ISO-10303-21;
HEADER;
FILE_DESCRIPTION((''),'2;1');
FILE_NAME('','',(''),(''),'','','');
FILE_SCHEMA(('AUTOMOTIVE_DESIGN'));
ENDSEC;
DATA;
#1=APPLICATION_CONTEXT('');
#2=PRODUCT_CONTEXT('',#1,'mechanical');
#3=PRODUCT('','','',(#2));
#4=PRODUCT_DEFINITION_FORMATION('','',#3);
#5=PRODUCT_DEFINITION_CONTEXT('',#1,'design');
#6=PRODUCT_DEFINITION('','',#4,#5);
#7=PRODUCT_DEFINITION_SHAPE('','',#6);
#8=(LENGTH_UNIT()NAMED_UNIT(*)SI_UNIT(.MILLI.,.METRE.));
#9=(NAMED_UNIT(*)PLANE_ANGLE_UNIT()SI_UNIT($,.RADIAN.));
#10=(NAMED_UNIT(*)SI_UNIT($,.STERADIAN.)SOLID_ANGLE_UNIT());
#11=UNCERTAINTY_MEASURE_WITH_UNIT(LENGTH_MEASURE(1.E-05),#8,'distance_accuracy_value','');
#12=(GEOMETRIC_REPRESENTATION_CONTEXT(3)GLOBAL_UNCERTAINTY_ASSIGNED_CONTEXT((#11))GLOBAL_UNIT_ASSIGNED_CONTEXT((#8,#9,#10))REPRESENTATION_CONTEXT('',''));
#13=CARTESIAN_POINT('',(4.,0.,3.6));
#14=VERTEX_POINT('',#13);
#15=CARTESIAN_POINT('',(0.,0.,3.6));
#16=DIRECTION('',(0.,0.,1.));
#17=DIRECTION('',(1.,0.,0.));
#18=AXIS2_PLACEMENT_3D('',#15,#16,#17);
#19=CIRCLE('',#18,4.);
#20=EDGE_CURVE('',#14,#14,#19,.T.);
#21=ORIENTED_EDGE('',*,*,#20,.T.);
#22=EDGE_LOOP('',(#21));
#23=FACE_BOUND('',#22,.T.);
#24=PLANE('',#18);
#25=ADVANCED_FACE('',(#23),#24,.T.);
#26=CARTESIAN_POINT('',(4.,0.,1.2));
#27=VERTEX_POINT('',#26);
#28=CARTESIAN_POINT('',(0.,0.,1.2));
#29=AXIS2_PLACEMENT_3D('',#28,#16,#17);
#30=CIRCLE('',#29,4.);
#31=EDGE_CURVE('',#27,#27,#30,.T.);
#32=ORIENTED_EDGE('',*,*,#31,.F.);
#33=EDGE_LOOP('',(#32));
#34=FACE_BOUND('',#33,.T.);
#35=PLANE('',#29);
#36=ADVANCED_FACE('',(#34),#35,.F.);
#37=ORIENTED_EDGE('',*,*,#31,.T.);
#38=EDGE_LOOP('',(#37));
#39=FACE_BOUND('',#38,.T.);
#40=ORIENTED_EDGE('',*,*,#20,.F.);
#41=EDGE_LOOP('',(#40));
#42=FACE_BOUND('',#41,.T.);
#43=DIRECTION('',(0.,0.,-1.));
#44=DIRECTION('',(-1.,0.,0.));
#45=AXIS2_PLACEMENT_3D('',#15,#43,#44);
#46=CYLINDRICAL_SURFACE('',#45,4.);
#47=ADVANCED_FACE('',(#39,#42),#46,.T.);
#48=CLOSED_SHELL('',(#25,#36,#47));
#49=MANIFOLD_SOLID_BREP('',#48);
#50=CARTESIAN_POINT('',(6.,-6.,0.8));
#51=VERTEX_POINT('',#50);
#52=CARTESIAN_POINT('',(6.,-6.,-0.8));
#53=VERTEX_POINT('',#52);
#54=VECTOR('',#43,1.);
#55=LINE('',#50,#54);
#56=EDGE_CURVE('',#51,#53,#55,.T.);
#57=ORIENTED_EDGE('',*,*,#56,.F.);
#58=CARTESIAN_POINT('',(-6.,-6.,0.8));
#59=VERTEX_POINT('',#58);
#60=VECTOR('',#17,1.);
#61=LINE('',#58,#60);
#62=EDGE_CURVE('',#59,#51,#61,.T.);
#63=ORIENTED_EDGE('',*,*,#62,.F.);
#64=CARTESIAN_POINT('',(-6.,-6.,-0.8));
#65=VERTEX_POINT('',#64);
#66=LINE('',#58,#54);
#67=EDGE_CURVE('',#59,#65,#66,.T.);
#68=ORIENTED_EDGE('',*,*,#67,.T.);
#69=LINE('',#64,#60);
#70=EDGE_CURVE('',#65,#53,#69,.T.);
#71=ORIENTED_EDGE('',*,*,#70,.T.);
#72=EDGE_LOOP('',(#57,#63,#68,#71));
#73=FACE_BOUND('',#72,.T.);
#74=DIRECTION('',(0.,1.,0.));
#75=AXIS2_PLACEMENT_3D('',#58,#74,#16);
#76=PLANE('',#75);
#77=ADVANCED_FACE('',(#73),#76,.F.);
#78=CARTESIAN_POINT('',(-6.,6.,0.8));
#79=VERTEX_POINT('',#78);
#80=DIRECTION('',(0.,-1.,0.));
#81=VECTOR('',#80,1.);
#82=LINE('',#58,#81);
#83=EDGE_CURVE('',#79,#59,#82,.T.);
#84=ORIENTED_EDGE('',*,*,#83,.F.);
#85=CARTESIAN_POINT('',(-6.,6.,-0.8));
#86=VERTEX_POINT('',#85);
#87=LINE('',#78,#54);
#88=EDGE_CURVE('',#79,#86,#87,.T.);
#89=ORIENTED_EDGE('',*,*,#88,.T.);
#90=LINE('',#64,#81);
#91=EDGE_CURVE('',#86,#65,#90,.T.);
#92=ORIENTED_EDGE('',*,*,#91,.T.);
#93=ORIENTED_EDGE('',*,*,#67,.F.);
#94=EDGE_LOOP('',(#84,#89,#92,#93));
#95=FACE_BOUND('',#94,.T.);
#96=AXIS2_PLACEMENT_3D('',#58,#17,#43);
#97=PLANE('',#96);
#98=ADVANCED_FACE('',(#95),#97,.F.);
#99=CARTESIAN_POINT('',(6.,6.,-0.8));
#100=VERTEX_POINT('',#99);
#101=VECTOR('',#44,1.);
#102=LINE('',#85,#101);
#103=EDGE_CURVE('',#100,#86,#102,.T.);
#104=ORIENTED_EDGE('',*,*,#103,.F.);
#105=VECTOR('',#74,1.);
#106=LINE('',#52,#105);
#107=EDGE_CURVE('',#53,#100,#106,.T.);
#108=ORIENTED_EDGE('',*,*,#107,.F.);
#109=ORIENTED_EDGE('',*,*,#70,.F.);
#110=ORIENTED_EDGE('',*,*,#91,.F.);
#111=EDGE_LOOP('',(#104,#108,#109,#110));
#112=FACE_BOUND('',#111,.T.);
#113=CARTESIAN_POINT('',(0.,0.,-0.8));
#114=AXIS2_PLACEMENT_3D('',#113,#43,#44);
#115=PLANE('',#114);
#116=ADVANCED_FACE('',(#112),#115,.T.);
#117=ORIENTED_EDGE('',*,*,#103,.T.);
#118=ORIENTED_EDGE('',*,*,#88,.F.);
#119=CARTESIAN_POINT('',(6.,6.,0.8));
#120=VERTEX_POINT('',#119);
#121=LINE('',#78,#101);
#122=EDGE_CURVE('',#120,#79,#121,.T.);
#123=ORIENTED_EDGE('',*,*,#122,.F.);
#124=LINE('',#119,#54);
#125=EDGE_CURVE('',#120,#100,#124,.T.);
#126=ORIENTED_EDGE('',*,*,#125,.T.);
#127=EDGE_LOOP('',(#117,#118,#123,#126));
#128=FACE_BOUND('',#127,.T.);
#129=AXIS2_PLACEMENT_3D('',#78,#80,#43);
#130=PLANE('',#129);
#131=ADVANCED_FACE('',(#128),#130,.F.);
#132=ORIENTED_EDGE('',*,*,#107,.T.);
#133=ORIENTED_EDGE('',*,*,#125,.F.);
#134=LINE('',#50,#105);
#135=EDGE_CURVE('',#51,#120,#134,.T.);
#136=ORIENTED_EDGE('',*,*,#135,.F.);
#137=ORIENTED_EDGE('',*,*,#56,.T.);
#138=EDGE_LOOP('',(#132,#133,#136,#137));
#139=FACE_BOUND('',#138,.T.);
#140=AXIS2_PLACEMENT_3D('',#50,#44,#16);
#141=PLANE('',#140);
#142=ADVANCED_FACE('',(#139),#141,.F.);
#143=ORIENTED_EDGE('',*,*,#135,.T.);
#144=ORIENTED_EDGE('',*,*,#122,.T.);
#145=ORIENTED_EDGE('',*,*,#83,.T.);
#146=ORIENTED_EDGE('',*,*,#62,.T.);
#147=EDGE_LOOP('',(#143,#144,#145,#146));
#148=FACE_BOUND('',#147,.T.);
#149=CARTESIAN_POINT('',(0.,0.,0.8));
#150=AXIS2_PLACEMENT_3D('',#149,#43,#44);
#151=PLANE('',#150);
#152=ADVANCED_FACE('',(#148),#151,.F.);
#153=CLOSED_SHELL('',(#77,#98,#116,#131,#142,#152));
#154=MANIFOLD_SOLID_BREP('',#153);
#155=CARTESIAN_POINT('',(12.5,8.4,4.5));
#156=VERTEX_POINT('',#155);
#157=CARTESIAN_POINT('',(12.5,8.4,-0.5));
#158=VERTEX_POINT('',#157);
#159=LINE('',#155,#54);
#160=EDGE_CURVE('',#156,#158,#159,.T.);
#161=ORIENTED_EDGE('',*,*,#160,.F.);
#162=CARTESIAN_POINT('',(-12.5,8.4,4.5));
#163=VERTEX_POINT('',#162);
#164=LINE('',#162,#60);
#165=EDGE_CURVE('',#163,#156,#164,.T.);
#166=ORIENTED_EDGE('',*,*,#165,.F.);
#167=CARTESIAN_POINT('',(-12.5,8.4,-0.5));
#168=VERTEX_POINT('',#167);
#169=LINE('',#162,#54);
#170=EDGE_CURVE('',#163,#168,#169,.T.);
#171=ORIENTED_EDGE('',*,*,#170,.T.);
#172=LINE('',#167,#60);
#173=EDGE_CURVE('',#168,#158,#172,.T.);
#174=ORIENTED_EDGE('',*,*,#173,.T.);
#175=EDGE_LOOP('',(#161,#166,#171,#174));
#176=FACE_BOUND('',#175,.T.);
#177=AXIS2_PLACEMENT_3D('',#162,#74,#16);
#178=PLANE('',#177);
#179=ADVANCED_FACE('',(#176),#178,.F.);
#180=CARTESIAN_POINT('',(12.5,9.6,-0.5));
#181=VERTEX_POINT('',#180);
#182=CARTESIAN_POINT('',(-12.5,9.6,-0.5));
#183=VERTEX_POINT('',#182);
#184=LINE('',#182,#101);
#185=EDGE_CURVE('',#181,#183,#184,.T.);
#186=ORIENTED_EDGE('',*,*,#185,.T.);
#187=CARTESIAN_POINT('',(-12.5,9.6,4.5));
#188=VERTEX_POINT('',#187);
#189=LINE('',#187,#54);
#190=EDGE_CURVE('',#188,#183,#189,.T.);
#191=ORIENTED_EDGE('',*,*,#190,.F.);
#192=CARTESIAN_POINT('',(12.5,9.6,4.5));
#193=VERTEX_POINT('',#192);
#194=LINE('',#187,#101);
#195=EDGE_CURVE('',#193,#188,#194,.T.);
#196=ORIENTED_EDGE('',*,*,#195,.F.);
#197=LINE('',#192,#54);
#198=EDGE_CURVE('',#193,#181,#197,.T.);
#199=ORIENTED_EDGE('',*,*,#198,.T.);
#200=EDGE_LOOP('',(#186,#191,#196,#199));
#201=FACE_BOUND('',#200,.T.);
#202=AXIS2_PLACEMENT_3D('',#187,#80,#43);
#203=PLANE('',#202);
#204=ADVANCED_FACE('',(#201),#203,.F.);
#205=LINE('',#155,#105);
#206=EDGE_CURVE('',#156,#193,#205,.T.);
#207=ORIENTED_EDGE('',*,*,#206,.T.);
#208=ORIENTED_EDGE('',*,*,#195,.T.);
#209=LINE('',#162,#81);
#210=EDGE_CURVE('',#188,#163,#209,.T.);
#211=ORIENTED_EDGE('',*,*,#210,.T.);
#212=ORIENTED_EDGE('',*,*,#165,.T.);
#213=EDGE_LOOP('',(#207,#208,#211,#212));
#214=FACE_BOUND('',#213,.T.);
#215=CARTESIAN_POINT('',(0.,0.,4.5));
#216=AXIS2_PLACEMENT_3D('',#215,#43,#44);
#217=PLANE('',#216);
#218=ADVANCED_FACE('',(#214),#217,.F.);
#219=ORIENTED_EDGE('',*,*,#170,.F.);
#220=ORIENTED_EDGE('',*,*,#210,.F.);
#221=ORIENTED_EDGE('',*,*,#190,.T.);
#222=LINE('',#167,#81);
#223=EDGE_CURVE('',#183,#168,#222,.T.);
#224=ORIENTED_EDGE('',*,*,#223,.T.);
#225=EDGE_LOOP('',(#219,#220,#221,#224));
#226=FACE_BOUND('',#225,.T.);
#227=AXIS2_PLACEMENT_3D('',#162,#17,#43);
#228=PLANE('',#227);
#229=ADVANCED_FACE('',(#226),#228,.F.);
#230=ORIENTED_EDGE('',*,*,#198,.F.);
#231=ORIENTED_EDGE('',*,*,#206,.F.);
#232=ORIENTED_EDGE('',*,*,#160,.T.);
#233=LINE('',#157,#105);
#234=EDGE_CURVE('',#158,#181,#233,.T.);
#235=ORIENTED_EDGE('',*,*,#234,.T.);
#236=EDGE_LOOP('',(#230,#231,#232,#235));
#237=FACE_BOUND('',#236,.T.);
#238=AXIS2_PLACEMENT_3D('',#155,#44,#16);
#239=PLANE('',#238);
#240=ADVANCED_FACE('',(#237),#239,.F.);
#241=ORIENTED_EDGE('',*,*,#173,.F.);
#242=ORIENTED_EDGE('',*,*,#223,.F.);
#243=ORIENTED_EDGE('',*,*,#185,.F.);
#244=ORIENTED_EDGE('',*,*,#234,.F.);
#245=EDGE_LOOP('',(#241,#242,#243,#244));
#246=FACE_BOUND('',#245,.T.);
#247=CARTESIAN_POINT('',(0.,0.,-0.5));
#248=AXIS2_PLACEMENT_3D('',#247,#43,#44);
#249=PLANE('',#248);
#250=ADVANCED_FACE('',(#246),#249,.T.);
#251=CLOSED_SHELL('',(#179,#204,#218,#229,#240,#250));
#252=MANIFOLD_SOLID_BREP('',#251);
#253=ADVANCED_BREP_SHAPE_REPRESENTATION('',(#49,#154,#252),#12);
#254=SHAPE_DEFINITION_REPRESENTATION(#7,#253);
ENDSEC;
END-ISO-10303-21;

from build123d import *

# Parameters (mm, degrees)
WS2812_START                          = -0.8
SKETCH_1_W                            = 12
SKETCH_1_H                            = 12
WS2812_RGB_LED_BOARD_12_X_12_MM_DEPTH = 1.6
RGB_START                             = 1.2
SKETCH_2_R                            = 4
RGB_LED_DIFFUSER_DEPTH                = 2.4
LED_START                             = -0.5
SKETCH_3_W                            = 25
SKETCH_3_H                            = 1.2
LED_LABEL_PLATE_WS2812_DEPTH          = 5


with BuildPart() as part:
    # 草图1 → WS2812 RGB LED board - 12 x 12 mm (new body)
    with BuildSketch(Plane.XY.offset(WS2812_START)):
        Rectangle(SKETCH_1_W, SKETCH_1_H)
    extrude(amount=WS2812_RGB_LED_BOARD_12_X_12_MM_DEPTH)


with BuildPart() as body_2:
    # 草图2 → RGB LED diffuser (new body)
    with BuildSketch(Plane.XY.offset(RGB_START)):
        Circle(SKETCH_2_R)
    extrude(amount=RGB_LED_DIFFUSER_DEPTH)


with BuildPart() as body_3:
    # 草图3 → led label plate - WS2812 (new body)
    with BuildSketch(Plane.XY.offset(LED_START)):
        with Locations((0, 9)):
            Rectangle(SKETCH_3_W, SKETCH_3_H)
    extrude(amount=LED_LABEL_PLATE_WS2812_DEPTH)


solid = Compound([part.part, body_2.part, body_3.part])
